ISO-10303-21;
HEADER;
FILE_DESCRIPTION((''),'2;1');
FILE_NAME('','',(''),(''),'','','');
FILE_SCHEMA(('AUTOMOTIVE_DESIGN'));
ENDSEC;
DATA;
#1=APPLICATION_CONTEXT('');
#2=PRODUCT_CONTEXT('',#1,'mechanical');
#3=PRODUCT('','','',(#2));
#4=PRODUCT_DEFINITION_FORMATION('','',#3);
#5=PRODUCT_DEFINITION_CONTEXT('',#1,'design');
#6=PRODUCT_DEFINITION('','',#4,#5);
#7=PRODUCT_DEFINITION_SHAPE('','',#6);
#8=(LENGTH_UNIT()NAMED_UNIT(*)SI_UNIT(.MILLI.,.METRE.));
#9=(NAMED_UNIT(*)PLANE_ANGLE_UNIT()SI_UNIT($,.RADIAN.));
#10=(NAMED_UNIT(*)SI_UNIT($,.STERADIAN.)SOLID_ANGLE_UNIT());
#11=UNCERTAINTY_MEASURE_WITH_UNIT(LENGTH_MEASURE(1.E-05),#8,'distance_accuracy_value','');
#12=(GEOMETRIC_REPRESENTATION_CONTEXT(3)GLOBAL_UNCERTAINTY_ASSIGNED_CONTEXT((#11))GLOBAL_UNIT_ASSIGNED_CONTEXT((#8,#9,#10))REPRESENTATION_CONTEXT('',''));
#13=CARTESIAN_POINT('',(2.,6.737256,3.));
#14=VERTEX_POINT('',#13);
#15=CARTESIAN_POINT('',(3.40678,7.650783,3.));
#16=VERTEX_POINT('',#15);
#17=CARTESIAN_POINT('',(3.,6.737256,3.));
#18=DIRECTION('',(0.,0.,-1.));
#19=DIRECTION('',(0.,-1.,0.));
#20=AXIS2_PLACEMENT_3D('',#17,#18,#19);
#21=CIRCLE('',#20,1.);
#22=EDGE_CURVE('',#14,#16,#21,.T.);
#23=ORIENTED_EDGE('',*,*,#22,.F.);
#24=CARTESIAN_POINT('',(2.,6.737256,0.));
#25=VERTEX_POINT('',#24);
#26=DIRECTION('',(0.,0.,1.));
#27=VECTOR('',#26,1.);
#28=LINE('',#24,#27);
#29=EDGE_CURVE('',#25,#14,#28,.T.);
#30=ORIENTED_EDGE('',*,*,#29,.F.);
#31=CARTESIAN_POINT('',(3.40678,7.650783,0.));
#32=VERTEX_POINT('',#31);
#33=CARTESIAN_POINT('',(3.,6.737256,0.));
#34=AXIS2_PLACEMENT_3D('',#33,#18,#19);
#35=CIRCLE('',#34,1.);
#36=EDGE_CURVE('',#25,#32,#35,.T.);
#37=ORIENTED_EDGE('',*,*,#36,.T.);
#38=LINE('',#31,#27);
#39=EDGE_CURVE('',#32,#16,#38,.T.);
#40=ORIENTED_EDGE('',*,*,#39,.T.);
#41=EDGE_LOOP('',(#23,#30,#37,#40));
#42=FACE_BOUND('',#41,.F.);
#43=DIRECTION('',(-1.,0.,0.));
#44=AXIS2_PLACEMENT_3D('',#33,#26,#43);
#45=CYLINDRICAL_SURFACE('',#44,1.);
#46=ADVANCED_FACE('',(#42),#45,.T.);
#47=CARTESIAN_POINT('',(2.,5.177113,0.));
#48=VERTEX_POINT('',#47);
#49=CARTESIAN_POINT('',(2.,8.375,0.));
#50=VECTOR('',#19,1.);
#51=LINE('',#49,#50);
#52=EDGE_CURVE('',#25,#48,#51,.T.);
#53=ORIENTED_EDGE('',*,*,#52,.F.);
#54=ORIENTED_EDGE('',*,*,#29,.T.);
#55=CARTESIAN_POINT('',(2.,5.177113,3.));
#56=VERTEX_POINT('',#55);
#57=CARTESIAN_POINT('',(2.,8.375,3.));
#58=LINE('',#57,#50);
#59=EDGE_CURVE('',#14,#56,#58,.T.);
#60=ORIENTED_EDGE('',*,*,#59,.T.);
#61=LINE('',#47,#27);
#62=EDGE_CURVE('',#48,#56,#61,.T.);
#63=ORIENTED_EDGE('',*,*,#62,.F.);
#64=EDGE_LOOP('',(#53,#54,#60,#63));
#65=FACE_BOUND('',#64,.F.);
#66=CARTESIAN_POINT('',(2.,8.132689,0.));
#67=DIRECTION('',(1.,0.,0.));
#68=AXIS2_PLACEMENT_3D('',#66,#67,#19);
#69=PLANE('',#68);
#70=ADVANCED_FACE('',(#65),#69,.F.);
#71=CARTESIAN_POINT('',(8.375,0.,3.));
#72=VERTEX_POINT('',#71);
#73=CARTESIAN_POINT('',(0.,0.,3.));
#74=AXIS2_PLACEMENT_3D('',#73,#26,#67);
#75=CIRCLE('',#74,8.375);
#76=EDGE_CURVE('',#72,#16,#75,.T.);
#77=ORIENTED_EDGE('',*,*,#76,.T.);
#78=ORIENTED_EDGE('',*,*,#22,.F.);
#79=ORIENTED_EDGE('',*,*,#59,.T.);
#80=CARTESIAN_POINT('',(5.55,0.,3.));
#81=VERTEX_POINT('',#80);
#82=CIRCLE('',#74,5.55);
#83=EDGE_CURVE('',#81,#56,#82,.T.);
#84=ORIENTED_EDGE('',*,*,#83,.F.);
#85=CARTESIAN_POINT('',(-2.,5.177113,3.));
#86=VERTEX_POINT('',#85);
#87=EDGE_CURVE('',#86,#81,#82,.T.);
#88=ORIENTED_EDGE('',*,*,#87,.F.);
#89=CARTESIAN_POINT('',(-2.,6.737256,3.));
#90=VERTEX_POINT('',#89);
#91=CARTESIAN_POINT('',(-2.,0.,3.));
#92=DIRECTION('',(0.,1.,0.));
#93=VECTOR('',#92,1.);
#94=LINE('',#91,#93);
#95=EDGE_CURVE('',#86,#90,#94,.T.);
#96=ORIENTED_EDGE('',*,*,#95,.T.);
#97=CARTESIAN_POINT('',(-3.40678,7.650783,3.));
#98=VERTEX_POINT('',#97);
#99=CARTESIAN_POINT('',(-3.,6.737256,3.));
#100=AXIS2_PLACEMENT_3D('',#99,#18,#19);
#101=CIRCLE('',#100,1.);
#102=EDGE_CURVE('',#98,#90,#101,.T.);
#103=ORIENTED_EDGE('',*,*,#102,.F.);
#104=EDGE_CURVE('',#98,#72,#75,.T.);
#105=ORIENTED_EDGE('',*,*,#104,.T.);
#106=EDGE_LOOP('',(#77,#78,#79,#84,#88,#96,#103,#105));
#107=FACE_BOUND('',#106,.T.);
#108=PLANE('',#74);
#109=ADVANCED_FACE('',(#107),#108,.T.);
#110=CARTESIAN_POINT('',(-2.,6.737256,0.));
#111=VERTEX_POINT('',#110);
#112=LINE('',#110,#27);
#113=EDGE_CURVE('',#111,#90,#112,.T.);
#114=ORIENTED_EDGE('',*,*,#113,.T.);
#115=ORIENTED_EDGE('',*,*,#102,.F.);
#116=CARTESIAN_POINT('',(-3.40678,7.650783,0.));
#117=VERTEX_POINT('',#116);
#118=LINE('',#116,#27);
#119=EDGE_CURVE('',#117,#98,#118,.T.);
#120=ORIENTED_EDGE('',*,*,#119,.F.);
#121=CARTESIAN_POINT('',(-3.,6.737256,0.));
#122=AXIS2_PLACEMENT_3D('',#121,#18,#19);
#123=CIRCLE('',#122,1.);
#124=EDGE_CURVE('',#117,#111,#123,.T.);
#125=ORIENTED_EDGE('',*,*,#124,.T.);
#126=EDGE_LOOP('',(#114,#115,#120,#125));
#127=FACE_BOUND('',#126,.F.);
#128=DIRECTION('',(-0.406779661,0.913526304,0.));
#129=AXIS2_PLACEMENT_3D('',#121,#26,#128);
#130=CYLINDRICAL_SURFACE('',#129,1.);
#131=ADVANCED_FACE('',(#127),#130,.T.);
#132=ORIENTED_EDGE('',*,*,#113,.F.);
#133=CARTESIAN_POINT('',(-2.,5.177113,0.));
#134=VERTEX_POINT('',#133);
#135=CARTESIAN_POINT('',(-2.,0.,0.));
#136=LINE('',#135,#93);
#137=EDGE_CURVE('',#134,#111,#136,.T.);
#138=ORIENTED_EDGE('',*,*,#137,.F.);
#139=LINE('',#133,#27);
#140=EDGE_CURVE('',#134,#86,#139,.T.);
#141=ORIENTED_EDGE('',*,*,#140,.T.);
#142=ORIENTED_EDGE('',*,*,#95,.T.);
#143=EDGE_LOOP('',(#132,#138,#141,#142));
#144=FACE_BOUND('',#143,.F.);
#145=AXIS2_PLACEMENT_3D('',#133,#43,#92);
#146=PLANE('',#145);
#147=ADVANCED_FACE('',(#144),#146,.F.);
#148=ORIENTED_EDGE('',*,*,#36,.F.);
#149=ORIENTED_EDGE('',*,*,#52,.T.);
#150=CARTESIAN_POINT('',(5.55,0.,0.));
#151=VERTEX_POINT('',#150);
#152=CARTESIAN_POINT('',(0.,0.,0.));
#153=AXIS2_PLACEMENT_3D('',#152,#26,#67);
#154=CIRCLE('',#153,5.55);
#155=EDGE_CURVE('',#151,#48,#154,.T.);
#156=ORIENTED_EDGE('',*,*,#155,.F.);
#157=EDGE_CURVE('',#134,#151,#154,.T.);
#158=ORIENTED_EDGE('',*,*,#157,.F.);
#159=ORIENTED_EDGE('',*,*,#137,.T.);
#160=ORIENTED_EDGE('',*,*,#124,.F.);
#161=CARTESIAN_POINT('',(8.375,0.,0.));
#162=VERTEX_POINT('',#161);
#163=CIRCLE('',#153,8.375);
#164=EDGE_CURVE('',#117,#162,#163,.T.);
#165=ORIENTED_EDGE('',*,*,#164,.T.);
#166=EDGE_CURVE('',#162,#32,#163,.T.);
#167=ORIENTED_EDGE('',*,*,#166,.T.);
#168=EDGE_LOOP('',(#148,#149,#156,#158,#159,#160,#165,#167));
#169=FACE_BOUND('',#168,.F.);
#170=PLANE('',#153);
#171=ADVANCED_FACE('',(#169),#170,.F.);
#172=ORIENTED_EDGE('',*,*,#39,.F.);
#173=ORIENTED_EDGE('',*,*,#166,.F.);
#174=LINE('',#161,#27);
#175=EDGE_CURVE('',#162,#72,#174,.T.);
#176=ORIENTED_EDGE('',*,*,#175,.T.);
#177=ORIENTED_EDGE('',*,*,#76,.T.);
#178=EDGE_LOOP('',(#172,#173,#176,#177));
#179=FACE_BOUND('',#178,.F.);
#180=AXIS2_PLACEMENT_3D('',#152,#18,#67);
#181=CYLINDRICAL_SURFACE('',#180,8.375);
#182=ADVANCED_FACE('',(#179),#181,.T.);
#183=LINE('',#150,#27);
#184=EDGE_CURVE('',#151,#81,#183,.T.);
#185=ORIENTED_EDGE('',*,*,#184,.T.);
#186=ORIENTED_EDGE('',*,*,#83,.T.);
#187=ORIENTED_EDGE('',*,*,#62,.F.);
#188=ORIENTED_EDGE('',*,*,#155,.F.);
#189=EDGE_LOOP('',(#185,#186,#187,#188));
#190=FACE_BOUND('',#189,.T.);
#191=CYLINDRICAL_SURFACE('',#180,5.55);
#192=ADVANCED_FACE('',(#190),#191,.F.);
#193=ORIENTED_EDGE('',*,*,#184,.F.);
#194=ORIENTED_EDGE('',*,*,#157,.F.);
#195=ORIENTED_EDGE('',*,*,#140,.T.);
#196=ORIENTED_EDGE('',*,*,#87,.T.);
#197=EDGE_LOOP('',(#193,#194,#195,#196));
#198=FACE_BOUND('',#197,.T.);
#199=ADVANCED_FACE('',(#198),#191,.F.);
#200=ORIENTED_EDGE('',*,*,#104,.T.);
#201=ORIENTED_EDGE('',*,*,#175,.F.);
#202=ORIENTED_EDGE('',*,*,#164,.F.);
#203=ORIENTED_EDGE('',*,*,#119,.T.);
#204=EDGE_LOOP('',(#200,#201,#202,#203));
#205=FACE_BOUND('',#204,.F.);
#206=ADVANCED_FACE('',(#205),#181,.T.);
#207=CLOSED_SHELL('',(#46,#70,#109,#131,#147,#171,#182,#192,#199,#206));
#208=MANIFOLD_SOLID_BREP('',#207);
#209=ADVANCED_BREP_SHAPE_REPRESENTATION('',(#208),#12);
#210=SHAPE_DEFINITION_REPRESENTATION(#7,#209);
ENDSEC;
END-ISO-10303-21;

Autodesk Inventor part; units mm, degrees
ref_plane "YZ Plane" through (0, 0, 0) normal (1, 0, 0) x (0, 1, 0)
ref_plane "XZ Plane" through (0, 0, 0) normal (0, 1, 0) x (-1, 0, 0)
ref_plane "XY Plane" through (0, 0, 0) normal (0, 0, 1) x (1, 0, 0)
sketch "Sketch1" plane through (0, 0, 0) normal (0, 0, 1) x (1, 0, 0)
  circle A0 centre (0, 0) radius 5.55
  circle A1 centre (0, 0) radius 8.375
  line L0 (-2, 8.375) -> (2, 8.375)
  line L1 (2, 8.375) -> (2, 0)
  line L2 (2, 0) -> (-2, 0)
  line L3 (-2, 0) -> (-2, 8.375)
  point P0 (-2, 5.1771)
  point P1 (-2, 8.1327)
  point P2 (2, 8.1327)
  point P3 (2, 5.1771)
  dimension "d0" = 11.1
  dimension "d1" = 16.75
  dimension "d2" = 4
extrude "Extrusion1" add sketch "Sketch1" along normal blind 3 contours A0 L1 A1 L3 picked at (7.294, -1.1285)
fillet "Fillet1" radius 1 2 edges at (-2, 8.1327, 1.5) (2, 8.1327, 1.5)
properties part number "2002_Rx_Tx Coil Spacer_Glass_v3"
